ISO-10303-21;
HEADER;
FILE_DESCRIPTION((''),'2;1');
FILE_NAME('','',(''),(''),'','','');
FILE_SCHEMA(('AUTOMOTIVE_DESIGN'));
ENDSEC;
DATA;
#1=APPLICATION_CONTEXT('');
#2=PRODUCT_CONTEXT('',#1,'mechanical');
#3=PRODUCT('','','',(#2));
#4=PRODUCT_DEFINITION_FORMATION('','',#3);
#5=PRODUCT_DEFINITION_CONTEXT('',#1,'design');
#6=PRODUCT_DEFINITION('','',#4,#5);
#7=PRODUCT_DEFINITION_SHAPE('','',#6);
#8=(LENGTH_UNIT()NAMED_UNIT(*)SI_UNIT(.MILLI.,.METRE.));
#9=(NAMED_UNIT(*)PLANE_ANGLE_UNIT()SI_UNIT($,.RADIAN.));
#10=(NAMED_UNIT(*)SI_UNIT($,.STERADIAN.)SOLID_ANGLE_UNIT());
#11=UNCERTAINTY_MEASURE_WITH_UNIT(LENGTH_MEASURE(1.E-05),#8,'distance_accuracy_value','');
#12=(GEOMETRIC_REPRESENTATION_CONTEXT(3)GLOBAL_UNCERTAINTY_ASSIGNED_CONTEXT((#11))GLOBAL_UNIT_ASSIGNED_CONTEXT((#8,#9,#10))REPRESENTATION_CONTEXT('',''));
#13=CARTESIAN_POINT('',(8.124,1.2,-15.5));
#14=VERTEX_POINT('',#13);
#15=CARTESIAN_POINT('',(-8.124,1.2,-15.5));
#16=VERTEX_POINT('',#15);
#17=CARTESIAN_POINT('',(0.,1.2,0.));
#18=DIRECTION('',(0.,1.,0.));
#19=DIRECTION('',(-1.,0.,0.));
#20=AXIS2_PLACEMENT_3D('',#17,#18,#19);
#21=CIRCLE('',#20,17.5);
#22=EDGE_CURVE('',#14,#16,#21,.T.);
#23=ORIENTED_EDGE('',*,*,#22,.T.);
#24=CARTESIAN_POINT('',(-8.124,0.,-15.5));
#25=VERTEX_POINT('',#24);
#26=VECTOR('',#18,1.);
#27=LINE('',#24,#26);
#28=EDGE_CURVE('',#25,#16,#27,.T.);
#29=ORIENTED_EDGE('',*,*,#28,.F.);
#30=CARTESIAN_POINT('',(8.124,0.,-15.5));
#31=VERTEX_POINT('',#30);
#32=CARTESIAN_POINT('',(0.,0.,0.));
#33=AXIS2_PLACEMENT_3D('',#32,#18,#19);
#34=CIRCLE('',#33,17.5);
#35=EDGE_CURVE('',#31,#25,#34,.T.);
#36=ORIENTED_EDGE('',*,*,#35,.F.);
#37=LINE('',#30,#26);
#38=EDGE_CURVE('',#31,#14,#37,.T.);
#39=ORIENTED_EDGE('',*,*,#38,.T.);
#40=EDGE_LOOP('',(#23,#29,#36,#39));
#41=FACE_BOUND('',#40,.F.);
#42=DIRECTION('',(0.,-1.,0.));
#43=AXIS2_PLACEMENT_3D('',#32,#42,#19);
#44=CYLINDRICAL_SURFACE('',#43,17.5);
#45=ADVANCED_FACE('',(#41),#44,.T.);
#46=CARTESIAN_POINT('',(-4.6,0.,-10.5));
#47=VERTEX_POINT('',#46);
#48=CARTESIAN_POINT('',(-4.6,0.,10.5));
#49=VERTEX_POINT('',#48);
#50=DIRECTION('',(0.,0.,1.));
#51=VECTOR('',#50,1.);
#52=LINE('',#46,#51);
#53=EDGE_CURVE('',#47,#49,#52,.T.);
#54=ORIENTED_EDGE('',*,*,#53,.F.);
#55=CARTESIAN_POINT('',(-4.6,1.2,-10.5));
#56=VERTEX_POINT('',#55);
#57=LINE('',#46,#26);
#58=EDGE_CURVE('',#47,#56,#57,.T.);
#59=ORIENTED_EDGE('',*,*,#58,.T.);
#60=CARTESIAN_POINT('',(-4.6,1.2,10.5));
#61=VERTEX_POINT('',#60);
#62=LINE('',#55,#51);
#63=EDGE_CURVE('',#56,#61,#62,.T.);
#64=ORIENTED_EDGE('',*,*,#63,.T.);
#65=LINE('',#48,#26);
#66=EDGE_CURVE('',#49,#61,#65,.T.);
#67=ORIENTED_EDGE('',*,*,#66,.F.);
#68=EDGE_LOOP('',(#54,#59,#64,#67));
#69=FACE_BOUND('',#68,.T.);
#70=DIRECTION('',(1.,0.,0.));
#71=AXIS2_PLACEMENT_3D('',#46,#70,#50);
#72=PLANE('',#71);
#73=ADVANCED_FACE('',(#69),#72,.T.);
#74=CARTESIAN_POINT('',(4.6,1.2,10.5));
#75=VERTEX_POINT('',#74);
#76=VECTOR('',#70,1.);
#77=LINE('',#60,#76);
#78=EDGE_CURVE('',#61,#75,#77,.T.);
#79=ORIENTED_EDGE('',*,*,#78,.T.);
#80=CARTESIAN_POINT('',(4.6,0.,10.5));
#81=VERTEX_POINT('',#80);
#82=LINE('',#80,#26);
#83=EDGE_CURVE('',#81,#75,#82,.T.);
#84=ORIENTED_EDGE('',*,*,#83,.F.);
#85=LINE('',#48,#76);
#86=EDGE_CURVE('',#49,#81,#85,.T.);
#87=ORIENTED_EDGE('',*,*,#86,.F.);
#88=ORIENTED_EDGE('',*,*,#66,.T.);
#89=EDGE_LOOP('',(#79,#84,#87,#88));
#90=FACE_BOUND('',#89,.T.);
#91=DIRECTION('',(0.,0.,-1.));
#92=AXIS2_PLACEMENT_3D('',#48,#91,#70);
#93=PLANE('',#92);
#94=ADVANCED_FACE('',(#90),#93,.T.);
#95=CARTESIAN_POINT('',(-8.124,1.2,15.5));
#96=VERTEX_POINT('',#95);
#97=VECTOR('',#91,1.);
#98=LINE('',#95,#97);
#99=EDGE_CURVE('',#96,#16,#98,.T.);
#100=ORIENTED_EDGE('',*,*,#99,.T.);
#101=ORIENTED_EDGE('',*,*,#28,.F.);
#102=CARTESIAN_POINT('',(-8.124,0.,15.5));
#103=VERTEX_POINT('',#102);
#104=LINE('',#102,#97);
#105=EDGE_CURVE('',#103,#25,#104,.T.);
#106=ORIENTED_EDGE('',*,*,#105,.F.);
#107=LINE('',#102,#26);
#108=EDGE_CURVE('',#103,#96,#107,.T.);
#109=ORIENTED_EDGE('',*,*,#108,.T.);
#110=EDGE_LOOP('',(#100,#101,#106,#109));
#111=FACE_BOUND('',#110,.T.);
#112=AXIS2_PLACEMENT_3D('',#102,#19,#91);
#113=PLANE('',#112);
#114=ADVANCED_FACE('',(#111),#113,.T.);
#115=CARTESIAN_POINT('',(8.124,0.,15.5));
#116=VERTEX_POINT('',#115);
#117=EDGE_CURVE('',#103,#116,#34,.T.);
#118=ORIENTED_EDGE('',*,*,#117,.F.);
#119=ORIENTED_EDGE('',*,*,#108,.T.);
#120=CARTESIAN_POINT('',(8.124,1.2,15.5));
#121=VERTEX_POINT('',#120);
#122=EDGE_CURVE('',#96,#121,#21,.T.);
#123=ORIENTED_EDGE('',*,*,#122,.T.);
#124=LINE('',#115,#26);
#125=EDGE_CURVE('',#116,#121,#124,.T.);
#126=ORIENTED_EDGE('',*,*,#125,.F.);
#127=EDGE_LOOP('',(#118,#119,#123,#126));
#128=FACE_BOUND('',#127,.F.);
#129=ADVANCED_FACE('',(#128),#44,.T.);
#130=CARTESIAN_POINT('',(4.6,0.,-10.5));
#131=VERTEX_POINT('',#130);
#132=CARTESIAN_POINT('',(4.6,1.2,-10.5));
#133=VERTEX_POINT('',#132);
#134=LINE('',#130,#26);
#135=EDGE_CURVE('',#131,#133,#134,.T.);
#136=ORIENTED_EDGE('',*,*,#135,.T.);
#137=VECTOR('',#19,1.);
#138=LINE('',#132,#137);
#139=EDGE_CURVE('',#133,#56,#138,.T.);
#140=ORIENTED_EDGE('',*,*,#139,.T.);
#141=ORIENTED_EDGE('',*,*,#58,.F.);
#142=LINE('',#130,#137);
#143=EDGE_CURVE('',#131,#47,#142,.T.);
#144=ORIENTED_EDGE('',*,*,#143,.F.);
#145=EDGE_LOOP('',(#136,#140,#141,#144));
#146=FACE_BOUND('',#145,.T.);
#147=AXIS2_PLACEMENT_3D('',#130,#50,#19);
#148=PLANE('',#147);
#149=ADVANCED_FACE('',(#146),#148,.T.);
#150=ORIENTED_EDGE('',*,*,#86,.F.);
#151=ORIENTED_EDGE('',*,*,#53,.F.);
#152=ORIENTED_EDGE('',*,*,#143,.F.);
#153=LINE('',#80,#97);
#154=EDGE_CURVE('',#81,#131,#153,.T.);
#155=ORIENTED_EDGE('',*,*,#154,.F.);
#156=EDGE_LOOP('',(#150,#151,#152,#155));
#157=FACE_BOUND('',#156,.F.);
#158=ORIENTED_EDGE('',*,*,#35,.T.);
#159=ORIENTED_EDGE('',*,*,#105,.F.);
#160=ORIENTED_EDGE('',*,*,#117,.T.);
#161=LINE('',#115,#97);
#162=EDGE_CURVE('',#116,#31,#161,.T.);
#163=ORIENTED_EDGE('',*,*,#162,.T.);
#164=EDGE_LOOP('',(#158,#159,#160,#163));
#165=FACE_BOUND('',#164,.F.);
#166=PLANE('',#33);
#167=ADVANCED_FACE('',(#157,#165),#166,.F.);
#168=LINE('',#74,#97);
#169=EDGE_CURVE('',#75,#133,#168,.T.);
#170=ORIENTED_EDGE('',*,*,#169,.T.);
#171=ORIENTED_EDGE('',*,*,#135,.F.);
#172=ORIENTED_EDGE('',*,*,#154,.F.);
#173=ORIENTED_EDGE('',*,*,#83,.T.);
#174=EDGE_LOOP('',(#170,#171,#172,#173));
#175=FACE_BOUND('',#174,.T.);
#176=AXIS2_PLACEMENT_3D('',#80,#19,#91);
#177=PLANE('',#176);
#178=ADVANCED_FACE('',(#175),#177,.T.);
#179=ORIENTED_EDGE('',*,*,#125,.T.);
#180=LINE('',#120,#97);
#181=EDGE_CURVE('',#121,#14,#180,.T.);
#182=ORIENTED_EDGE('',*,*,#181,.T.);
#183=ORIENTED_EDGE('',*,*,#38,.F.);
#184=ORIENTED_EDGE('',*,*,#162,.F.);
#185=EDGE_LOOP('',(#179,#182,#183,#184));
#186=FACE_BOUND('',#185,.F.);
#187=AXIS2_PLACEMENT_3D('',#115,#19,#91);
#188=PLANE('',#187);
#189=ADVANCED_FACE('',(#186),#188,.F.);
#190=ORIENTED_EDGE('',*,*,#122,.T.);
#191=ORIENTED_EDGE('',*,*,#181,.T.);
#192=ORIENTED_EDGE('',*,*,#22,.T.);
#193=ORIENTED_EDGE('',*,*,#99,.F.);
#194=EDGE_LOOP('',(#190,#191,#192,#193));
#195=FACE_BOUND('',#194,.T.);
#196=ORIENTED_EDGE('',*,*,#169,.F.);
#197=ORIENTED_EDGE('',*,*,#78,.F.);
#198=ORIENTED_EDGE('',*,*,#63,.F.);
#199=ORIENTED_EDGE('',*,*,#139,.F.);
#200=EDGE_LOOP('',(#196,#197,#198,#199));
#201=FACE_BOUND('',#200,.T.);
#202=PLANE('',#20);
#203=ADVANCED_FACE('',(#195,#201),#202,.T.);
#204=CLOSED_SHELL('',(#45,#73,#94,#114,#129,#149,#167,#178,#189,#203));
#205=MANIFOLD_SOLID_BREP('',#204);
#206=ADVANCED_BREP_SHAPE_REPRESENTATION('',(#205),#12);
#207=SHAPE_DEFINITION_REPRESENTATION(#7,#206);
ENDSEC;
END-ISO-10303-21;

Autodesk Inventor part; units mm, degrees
ref_plane "YZ Plane" through (0, 0, 0) normal (1, 0, 0) x (0, 1, 0)
ref_plane "XZ Plane" through (0, 0, 0) normal (0, 1, 0) x (-1, 0, 0)
ref_plane "XY Plane" through (0, 0, 0) normal (0, 0, 1) x (1, 0, 0)
sketch "スケッチ1" plane through (0, 0, 0) normal (0, 1, 0) x (-1, 0, 0)
  circle A0 centre (0, 0) radius 17.5
  line L0 (8.124, 15.5) -> (8.124, -15.5)
  line L1 (-8.124, 15.5) -> (-8.124, -15.5)
  line L2 (4.6, 10.5) -> (-4.6, 10.5)
  line L3 (-4.6, 10.5) -> (-4.6, -10.5)
  line L4 (-4.6, -10.5) -> (4.6, -10.5)
  line L5 (4.6, -10.5) -> (4.6, 10.5)
  point P0 (4.6, 0)
  point P1 (0, 10.5)
  dimension "d0" = 35
  dimension "d1" = 31
  dimension "d2" = 9.2
  dimension "d3" = 21
extrude "押し出し1" add sketch "スケッチ1" along normal blind 1.2 contours L0 A0 L1
properties part number "ServoMotor_Holder"
